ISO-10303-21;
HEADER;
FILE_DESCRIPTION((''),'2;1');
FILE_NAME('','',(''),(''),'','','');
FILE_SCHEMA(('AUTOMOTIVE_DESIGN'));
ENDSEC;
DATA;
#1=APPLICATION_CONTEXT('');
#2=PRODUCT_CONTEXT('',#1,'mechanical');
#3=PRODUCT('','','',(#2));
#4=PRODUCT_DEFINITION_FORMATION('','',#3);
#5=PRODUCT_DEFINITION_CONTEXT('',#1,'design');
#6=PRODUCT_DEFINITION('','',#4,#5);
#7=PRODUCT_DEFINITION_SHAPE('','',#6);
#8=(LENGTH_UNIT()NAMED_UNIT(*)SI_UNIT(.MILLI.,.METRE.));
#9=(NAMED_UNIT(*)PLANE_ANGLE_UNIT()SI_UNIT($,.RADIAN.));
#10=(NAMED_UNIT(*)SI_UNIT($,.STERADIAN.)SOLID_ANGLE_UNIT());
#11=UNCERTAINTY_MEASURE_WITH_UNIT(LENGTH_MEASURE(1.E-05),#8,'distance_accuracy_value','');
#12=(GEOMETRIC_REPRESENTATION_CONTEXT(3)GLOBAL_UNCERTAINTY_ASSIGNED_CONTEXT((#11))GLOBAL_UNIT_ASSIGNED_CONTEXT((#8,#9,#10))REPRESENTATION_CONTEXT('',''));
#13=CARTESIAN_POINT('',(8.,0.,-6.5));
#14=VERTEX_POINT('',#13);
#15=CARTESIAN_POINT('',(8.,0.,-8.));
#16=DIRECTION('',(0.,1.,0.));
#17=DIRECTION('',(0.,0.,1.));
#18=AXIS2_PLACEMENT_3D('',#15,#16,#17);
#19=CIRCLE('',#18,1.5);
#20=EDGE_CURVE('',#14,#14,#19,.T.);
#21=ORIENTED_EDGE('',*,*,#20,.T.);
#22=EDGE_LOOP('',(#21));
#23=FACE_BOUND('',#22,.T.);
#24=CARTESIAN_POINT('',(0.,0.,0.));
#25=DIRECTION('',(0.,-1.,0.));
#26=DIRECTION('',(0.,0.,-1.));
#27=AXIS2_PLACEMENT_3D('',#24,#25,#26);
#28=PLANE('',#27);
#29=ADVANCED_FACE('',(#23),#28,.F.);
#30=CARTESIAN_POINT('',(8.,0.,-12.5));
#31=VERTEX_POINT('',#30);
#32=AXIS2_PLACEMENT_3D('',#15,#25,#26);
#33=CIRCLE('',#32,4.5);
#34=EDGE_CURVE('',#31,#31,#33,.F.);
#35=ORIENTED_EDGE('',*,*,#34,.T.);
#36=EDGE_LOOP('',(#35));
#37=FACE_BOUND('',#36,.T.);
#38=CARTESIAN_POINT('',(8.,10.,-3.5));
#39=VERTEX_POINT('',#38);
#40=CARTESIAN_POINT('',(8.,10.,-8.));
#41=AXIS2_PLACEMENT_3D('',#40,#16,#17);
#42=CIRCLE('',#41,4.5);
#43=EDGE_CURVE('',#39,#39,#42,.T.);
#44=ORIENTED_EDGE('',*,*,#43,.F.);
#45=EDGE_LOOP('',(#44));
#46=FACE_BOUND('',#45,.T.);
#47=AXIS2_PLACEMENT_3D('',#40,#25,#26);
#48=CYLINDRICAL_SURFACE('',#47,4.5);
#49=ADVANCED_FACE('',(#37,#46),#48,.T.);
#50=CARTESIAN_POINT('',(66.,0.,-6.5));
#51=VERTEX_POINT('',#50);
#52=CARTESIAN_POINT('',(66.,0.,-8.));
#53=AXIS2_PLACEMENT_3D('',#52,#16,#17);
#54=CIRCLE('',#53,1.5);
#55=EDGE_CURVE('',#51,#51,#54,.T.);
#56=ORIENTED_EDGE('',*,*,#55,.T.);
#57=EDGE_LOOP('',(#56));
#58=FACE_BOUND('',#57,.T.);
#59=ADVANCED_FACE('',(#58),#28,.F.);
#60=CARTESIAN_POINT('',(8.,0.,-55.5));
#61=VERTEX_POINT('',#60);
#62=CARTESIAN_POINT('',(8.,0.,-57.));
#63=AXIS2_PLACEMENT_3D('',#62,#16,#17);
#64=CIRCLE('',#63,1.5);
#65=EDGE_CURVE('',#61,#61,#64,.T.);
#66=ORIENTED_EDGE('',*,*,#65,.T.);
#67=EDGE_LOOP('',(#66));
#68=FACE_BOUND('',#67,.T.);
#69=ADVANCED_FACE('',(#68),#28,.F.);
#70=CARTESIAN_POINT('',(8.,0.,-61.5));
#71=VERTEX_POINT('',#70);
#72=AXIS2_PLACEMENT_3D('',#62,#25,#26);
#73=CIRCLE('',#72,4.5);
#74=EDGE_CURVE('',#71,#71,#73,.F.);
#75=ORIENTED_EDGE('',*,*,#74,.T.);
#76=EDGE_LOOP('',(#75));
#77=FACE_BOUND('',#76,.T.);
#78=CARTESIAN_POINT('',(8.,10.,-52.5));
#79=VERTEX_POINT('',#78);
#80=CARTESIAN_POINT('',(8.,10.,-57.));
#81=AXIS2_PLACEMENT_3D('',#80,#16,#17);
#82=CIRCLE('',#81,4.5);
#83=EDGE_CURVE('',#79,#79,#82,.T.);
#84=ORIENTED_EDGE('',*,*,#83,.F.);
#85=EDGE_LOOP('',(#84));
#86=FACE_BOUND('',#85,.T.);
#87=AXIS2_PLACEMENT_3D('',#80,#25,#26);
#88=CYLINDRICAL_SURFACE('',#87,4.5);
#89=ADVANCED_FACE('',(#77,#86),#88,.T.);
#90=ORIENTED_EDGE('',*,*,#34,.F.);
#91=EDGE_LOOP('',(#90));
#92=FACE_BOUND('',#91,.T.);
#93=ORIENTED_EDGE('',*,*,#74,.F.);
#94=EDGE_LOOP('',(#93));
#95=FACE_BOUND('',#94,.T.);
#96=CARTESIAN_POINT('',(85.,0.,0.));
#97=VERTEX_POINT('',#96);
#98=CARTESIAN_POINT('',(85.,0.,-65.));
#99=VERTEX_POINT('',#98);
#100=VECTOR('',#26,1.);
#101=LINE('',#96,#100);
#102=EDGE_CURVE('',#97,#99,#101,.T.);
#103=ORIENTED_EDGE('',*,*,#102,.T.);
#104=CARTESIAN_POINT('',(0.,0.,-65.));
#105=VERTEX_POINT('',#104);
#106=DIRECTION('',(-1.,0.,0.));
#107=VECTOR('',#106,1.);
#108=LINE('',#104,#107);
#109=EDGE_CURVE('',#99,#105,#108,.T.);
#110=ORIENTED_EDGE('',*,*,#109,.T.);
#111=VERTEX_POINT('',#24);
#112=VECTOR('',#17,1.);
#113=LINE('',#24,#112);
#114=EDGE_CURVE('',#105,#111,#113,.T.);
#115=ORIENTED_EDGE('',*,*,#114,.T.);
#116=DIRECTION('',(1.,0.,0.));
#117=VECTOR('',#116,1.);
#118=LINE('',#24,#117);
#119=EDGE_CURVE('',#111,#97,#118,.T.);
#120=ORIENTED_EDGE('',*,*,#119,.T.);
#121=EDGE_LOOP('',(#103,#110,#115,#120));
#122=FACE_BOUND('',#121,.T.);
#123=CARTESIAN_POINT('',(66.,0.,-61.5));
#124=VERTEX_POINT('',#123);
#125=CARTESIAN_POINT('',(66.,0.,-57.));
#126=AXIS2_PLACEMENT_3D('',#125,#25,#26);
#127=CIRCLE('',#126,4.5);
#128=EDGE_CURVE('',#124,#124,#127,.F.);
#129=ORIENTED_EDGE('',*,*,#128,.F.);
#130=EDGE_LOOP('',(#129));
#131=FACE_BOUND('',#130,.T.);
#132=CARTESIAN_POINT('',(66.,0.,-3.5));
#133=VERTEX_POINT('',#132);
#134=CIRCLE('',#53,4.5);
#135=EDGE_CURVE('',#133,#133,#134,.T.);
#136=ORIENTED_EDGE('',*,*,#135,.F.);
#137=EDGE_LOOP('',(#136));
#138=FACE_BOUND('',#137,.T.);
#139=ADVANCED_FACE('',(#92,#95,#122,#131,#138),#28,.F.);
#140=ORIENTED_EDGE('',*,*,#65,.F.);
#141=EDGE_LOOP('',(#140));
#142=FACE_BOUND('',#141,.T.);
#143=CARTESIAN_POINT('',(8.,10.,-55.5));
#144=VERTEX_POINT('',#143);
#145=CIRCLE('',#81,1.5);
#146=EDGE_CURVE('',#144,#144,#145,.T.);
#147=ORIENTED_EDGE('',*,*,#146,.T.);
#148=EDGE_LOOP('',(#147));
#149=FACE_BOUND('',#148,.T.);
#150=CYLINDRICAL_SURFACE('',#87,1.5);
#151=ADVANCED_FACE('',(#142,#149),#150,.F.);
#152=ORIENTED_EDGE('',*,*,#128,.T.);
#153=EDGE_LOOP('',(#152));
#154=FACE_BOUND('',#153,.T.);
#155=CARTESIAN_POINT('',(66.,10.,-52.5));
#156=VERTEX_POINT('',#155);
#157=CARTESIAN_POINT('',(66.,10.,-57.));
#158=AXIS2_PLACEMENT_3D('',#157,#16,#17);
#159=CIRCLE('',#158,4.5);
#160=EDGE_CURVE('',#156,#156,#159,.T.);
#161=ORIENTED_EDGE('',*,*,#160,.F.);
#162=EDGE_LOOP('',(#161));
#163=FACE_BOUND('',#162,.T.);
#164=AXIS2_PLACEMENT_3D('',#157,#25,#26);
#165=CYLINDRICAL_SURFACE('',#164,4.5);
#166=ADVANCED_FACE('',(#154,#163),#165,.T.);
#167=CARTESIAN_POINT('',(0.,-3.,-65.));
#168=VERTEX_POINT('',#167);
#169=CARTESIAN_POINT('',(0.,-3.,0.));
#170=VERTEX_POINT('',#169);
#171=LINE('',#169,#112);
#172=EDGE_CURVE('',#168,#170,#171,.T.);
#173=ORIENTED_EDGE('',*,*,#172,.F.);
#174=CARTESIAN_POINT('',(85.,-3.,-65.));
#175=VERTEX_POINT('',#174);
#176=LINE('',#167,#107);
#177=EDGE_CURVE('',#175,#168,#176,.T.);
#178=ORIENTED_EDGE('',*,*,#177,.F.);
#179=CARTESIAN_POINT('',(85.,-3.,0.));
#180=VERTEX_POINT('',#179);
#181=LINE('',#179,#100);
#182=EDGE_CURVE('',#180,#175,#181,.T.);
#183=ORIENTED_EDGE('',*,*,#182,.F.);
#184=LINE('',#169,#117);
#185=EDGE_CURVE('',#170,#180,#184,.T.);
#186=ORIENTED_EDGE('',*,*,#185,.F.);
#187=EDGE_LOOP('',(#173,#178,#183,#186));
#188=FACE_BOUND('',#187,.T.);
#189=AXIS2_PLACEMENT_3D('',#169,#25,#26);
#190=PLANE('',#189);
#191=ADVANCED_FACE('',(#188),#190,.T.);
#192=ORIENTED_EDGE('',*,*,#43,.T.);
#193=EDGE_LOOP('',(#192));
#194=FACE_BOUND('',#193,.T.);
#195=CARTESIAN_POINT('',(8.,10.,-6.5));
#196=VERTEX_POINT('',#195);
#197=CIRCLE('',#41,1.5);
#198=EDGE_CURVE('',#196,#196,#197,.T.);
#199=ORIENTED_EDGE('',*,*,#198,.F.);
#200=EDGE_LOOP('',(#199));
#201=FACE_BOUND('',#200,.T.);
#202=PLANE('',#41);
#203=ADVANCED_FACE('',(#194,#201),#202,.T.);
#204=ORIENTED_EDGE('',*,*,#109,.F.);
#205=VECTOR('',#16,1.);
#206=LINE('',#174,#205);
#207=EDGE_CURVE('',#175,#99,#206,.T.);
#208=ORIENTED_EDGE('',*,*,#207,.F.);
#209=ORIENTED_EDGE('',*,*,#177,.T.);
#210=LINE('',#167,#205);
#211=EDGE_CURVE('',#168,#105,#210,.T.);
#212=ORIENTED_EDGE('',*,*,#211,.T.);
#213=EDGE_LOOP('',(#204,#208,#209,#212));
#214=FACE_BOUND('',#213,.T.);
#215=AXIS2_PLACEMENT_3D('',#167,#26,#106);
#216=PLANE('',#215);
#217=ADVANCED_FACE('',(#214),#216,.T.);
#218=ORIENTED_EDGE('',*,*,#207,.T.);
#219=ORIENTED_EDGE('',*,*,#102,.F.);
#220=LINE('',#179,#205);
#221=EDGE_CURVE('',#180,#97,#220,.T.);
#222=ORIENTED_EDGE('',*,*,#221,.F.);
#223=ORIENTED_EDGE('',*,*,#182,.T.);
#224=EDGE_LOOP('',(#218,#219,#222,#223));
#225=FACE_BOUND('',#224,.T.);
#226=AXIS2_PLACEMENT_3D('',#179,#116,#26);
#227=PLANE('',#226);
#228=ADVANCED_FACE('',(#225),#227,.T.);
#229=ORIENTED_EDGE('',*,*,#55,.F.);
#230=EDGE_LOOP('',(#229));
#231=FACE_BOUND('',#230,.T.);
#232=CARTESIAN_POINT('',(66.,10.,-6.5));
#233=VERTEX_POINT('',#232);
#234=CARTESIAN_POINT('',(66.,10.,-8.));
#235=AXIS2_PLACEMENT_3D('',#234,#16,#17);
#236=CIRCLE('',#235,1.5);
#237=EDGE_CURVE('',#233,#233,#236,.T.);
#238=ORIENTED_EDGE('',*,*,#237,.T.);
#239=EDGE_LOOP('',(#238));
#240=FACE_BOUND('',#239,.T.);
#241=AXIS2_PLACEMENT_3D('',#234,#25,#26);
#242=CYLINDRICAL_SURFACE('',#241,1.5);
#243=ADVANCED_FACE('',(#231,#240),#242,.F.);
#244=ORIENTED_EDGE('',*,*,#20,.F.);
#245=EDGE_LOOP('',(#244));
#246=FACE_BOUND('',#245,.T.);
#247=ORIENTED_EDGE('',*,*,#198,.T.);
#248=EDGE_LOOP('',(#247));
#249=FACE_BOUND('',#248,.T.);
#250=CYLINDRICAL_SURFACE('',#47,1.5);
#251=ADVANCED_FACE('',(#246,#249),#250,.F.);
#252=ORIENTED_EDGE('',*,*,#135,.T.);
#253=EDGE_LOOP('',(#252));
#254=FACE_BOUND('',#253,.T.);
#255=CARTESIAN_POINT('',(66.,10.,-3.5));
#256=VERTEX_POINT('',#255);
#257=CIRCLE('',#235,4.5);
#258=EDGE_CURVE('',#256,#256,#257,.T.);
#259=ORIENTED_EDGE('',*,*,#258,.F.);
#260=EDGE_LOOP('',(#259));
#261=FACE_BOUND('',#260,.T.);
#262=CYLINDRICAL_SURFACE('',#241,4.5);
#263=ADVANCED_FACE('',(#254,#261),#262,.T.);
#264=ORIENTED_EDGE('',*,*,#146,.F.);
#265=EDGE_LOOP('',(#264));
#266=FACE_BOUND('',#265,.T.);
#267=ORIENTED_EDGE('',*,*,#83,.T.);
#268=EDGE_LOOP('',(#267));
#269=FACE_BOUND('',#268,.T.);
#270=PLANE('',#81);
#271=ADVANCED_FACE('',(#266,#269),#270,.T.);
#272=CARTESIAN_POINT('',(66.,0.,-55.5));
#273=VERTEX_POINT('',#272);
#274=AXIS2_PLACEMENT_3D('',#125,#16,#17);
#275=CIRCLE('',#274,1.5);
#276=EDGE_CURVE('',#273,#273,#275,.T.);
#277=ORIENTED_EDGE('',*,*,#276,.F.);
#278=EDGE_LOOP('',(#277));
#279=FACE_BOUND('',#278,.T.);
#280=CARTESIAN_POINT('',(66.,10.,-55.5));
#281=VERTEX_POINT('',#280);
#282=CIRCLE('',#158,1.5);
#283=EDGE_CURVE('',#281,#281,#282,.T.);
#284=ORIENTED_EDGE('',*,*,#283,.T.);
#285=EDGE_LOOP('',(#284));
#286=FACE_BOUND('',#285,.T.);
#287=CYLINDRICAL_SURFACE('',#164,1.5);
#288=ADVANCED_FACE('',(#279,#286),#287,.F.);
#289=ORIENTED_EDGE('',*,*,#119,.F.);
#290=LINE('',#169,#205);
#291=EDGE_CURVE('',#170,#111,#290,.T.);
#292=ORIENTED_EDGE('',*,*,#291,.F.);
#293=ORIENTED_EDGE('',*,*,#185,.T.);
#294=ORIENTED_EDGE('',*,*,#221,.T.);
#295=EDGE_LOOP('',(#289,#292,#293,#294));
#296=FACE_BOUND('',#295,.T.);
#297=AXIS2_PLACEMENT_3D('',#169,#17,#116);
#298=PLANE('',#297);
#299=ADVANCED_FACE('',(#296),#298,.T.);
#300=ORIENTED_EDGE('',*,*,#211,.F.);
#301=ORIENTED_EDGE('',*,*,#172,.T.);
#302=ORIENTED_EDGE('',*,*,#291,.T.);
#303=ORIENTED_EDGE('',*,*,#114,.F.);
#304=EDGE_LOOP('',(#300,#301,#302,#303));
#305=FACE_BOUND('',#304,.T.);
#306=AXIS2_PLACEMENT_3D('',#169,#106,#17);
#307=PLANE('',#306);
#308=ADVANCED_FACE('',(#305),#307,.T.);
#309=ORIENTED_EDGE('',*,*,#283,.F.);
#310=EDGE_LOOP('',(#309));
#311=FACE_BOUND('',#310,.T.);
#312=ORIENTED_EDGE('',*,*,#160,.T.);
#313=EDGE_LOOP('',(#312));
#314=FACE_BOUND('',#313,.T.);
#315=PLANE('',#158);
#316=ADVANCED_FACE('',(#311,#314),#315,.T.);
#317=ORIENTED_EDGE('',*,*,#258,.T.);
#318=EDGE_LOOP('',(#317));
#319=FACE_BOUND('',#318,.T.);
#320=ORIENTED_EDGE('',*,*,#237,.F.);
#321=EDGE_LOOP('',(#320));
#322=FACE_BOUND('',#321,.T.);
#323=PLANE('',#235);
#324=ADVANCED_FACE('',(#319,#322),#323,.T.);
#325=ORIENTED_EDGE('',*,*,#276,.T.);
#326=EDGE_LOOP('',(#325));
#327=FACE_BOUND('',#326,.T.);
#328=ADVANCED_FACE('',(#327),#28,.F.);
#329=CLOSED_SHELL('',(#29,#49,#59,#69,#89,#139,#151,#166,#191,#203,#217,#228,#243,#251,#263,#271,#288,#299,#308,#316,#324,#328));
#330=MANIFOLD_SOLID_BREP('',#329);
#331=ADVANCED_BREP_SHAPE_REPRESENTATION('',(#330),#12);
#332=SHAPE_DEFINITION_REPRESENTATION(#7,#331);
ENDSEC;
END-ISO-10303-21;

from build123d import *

# Parameters (mm, degrees)
SKETCH2_R             = 4.5
SKETCH2_R_2           = 1.5
BOSS_EXTRUDE1_DEPTH   = 10
BOSS_EXTRUDE1_2_DEPTH = 10
BOSS_EXTRUDE1_3_DEPTH = 10
BOSS_EXTRUDE1_4_DEPTH = 10
SKETCH3_W             = 85
SKETCH3_H             = 65
BOSS_EXTRUDE2_DEPTH   = 3


with BuildPart() as part:
    # Sketch2 → Boss-Extrude1 (new body)
    with BuildSketch(Plane(origin=(0, 0, 0), x_dir=(1, 0, 0), z_dir=(0, 1, 0))):
        with Locations(Location((66, 8, 0), (0, 0, 270))):
            Circle(SKETCH2_R)
        with Locations(Location((66, 8, 0), (0, 0, 270))):
            Circle(SKETCH2_R_2, mode=Mode.SUBTRACT)
    extrude(amount=BOSS_EXTRUDE1_DEPTH)



with BuildPart() as body_2:
    # Sketch2 → Boss-Extrude1 2 (new body)
    with BuildSketch(Plane(origin=(0, 0, 0), x_dir=(1, 0, 0), z_dir=(0, 1, 0))):
        with Locations(Location((66, 57, 0), (0, 0, 270))):
            Circle(SKETCH2_R)
        with Locations(Location((66, 57, 0), (0, 0, 270))):
            Circle(SKETCH2_R_2, mode=Mode.SUBTRACT)
    extrude(amount=BOSS_EXTRUDE1_2_DEPTH)


with BuildPart() as body_3:
    # Sketch2 → Boss-Extrude1 3 (new body)
    with BuildSketch(Plane(origin=(0, 0, 0), x_dir=(1, 0, 0), z_dir=(0, 1, 0))):
        with Locations(Location((8, 57, 0), (0, 0, 270))):
            Circle(SKETCH2_R)
        with Locations(Location((8, 57, 0), (0, 0, 270))):
            Circle(SKETCH2_R_2, mode=Mode.SUBTRACT)
    extrude(amount=BOSS_EXTRUDE1_3_DEPTH)


with BuildPart() as body_4:
    # Sketch2 → Boss-Extrude1 4 (new body)
    with BuildSketch(Plane(origin=(0, 0, 0), x_dir=(1, 0, 0), z_dir=(0, 1, 0))):
        with Locations(Location((8, 8, 0), (0, 0, 270))):
            Circle(SKETCH2_R)
        with Locations(Location((8, 8, 0), (0, 0, 270))):
            Circle(SKETCH2_R_2, mode=Mode.SUBTRACT)
    extrude(amount=BOSS_EXTRUDE1_4_DEPTH)


with BuildPart() as part_1:
    add(part.part)

    add(body_2.part)  # Boss-Extrude2 merges body 2

    add(body_3.part)  # Boss-Extrude2 merges body 3

    add(body_4.part)  # Boss-Extrude2 merges body 4
    # Sketch3 → Boss-Extrude2 (add)
    with BuildSketch(Plane(origin=(0, 0, 0), x_dir=(1, 0, 0), z_dir=(0, 1, 0))):
        with Locations((42.5, 32.5)):
            Rectangle(SKETCH3_W, SKETCH3_H)
    extrude(amount=-BOSS_EXTRUDE2_DEPTH)


solid = part_1.part
